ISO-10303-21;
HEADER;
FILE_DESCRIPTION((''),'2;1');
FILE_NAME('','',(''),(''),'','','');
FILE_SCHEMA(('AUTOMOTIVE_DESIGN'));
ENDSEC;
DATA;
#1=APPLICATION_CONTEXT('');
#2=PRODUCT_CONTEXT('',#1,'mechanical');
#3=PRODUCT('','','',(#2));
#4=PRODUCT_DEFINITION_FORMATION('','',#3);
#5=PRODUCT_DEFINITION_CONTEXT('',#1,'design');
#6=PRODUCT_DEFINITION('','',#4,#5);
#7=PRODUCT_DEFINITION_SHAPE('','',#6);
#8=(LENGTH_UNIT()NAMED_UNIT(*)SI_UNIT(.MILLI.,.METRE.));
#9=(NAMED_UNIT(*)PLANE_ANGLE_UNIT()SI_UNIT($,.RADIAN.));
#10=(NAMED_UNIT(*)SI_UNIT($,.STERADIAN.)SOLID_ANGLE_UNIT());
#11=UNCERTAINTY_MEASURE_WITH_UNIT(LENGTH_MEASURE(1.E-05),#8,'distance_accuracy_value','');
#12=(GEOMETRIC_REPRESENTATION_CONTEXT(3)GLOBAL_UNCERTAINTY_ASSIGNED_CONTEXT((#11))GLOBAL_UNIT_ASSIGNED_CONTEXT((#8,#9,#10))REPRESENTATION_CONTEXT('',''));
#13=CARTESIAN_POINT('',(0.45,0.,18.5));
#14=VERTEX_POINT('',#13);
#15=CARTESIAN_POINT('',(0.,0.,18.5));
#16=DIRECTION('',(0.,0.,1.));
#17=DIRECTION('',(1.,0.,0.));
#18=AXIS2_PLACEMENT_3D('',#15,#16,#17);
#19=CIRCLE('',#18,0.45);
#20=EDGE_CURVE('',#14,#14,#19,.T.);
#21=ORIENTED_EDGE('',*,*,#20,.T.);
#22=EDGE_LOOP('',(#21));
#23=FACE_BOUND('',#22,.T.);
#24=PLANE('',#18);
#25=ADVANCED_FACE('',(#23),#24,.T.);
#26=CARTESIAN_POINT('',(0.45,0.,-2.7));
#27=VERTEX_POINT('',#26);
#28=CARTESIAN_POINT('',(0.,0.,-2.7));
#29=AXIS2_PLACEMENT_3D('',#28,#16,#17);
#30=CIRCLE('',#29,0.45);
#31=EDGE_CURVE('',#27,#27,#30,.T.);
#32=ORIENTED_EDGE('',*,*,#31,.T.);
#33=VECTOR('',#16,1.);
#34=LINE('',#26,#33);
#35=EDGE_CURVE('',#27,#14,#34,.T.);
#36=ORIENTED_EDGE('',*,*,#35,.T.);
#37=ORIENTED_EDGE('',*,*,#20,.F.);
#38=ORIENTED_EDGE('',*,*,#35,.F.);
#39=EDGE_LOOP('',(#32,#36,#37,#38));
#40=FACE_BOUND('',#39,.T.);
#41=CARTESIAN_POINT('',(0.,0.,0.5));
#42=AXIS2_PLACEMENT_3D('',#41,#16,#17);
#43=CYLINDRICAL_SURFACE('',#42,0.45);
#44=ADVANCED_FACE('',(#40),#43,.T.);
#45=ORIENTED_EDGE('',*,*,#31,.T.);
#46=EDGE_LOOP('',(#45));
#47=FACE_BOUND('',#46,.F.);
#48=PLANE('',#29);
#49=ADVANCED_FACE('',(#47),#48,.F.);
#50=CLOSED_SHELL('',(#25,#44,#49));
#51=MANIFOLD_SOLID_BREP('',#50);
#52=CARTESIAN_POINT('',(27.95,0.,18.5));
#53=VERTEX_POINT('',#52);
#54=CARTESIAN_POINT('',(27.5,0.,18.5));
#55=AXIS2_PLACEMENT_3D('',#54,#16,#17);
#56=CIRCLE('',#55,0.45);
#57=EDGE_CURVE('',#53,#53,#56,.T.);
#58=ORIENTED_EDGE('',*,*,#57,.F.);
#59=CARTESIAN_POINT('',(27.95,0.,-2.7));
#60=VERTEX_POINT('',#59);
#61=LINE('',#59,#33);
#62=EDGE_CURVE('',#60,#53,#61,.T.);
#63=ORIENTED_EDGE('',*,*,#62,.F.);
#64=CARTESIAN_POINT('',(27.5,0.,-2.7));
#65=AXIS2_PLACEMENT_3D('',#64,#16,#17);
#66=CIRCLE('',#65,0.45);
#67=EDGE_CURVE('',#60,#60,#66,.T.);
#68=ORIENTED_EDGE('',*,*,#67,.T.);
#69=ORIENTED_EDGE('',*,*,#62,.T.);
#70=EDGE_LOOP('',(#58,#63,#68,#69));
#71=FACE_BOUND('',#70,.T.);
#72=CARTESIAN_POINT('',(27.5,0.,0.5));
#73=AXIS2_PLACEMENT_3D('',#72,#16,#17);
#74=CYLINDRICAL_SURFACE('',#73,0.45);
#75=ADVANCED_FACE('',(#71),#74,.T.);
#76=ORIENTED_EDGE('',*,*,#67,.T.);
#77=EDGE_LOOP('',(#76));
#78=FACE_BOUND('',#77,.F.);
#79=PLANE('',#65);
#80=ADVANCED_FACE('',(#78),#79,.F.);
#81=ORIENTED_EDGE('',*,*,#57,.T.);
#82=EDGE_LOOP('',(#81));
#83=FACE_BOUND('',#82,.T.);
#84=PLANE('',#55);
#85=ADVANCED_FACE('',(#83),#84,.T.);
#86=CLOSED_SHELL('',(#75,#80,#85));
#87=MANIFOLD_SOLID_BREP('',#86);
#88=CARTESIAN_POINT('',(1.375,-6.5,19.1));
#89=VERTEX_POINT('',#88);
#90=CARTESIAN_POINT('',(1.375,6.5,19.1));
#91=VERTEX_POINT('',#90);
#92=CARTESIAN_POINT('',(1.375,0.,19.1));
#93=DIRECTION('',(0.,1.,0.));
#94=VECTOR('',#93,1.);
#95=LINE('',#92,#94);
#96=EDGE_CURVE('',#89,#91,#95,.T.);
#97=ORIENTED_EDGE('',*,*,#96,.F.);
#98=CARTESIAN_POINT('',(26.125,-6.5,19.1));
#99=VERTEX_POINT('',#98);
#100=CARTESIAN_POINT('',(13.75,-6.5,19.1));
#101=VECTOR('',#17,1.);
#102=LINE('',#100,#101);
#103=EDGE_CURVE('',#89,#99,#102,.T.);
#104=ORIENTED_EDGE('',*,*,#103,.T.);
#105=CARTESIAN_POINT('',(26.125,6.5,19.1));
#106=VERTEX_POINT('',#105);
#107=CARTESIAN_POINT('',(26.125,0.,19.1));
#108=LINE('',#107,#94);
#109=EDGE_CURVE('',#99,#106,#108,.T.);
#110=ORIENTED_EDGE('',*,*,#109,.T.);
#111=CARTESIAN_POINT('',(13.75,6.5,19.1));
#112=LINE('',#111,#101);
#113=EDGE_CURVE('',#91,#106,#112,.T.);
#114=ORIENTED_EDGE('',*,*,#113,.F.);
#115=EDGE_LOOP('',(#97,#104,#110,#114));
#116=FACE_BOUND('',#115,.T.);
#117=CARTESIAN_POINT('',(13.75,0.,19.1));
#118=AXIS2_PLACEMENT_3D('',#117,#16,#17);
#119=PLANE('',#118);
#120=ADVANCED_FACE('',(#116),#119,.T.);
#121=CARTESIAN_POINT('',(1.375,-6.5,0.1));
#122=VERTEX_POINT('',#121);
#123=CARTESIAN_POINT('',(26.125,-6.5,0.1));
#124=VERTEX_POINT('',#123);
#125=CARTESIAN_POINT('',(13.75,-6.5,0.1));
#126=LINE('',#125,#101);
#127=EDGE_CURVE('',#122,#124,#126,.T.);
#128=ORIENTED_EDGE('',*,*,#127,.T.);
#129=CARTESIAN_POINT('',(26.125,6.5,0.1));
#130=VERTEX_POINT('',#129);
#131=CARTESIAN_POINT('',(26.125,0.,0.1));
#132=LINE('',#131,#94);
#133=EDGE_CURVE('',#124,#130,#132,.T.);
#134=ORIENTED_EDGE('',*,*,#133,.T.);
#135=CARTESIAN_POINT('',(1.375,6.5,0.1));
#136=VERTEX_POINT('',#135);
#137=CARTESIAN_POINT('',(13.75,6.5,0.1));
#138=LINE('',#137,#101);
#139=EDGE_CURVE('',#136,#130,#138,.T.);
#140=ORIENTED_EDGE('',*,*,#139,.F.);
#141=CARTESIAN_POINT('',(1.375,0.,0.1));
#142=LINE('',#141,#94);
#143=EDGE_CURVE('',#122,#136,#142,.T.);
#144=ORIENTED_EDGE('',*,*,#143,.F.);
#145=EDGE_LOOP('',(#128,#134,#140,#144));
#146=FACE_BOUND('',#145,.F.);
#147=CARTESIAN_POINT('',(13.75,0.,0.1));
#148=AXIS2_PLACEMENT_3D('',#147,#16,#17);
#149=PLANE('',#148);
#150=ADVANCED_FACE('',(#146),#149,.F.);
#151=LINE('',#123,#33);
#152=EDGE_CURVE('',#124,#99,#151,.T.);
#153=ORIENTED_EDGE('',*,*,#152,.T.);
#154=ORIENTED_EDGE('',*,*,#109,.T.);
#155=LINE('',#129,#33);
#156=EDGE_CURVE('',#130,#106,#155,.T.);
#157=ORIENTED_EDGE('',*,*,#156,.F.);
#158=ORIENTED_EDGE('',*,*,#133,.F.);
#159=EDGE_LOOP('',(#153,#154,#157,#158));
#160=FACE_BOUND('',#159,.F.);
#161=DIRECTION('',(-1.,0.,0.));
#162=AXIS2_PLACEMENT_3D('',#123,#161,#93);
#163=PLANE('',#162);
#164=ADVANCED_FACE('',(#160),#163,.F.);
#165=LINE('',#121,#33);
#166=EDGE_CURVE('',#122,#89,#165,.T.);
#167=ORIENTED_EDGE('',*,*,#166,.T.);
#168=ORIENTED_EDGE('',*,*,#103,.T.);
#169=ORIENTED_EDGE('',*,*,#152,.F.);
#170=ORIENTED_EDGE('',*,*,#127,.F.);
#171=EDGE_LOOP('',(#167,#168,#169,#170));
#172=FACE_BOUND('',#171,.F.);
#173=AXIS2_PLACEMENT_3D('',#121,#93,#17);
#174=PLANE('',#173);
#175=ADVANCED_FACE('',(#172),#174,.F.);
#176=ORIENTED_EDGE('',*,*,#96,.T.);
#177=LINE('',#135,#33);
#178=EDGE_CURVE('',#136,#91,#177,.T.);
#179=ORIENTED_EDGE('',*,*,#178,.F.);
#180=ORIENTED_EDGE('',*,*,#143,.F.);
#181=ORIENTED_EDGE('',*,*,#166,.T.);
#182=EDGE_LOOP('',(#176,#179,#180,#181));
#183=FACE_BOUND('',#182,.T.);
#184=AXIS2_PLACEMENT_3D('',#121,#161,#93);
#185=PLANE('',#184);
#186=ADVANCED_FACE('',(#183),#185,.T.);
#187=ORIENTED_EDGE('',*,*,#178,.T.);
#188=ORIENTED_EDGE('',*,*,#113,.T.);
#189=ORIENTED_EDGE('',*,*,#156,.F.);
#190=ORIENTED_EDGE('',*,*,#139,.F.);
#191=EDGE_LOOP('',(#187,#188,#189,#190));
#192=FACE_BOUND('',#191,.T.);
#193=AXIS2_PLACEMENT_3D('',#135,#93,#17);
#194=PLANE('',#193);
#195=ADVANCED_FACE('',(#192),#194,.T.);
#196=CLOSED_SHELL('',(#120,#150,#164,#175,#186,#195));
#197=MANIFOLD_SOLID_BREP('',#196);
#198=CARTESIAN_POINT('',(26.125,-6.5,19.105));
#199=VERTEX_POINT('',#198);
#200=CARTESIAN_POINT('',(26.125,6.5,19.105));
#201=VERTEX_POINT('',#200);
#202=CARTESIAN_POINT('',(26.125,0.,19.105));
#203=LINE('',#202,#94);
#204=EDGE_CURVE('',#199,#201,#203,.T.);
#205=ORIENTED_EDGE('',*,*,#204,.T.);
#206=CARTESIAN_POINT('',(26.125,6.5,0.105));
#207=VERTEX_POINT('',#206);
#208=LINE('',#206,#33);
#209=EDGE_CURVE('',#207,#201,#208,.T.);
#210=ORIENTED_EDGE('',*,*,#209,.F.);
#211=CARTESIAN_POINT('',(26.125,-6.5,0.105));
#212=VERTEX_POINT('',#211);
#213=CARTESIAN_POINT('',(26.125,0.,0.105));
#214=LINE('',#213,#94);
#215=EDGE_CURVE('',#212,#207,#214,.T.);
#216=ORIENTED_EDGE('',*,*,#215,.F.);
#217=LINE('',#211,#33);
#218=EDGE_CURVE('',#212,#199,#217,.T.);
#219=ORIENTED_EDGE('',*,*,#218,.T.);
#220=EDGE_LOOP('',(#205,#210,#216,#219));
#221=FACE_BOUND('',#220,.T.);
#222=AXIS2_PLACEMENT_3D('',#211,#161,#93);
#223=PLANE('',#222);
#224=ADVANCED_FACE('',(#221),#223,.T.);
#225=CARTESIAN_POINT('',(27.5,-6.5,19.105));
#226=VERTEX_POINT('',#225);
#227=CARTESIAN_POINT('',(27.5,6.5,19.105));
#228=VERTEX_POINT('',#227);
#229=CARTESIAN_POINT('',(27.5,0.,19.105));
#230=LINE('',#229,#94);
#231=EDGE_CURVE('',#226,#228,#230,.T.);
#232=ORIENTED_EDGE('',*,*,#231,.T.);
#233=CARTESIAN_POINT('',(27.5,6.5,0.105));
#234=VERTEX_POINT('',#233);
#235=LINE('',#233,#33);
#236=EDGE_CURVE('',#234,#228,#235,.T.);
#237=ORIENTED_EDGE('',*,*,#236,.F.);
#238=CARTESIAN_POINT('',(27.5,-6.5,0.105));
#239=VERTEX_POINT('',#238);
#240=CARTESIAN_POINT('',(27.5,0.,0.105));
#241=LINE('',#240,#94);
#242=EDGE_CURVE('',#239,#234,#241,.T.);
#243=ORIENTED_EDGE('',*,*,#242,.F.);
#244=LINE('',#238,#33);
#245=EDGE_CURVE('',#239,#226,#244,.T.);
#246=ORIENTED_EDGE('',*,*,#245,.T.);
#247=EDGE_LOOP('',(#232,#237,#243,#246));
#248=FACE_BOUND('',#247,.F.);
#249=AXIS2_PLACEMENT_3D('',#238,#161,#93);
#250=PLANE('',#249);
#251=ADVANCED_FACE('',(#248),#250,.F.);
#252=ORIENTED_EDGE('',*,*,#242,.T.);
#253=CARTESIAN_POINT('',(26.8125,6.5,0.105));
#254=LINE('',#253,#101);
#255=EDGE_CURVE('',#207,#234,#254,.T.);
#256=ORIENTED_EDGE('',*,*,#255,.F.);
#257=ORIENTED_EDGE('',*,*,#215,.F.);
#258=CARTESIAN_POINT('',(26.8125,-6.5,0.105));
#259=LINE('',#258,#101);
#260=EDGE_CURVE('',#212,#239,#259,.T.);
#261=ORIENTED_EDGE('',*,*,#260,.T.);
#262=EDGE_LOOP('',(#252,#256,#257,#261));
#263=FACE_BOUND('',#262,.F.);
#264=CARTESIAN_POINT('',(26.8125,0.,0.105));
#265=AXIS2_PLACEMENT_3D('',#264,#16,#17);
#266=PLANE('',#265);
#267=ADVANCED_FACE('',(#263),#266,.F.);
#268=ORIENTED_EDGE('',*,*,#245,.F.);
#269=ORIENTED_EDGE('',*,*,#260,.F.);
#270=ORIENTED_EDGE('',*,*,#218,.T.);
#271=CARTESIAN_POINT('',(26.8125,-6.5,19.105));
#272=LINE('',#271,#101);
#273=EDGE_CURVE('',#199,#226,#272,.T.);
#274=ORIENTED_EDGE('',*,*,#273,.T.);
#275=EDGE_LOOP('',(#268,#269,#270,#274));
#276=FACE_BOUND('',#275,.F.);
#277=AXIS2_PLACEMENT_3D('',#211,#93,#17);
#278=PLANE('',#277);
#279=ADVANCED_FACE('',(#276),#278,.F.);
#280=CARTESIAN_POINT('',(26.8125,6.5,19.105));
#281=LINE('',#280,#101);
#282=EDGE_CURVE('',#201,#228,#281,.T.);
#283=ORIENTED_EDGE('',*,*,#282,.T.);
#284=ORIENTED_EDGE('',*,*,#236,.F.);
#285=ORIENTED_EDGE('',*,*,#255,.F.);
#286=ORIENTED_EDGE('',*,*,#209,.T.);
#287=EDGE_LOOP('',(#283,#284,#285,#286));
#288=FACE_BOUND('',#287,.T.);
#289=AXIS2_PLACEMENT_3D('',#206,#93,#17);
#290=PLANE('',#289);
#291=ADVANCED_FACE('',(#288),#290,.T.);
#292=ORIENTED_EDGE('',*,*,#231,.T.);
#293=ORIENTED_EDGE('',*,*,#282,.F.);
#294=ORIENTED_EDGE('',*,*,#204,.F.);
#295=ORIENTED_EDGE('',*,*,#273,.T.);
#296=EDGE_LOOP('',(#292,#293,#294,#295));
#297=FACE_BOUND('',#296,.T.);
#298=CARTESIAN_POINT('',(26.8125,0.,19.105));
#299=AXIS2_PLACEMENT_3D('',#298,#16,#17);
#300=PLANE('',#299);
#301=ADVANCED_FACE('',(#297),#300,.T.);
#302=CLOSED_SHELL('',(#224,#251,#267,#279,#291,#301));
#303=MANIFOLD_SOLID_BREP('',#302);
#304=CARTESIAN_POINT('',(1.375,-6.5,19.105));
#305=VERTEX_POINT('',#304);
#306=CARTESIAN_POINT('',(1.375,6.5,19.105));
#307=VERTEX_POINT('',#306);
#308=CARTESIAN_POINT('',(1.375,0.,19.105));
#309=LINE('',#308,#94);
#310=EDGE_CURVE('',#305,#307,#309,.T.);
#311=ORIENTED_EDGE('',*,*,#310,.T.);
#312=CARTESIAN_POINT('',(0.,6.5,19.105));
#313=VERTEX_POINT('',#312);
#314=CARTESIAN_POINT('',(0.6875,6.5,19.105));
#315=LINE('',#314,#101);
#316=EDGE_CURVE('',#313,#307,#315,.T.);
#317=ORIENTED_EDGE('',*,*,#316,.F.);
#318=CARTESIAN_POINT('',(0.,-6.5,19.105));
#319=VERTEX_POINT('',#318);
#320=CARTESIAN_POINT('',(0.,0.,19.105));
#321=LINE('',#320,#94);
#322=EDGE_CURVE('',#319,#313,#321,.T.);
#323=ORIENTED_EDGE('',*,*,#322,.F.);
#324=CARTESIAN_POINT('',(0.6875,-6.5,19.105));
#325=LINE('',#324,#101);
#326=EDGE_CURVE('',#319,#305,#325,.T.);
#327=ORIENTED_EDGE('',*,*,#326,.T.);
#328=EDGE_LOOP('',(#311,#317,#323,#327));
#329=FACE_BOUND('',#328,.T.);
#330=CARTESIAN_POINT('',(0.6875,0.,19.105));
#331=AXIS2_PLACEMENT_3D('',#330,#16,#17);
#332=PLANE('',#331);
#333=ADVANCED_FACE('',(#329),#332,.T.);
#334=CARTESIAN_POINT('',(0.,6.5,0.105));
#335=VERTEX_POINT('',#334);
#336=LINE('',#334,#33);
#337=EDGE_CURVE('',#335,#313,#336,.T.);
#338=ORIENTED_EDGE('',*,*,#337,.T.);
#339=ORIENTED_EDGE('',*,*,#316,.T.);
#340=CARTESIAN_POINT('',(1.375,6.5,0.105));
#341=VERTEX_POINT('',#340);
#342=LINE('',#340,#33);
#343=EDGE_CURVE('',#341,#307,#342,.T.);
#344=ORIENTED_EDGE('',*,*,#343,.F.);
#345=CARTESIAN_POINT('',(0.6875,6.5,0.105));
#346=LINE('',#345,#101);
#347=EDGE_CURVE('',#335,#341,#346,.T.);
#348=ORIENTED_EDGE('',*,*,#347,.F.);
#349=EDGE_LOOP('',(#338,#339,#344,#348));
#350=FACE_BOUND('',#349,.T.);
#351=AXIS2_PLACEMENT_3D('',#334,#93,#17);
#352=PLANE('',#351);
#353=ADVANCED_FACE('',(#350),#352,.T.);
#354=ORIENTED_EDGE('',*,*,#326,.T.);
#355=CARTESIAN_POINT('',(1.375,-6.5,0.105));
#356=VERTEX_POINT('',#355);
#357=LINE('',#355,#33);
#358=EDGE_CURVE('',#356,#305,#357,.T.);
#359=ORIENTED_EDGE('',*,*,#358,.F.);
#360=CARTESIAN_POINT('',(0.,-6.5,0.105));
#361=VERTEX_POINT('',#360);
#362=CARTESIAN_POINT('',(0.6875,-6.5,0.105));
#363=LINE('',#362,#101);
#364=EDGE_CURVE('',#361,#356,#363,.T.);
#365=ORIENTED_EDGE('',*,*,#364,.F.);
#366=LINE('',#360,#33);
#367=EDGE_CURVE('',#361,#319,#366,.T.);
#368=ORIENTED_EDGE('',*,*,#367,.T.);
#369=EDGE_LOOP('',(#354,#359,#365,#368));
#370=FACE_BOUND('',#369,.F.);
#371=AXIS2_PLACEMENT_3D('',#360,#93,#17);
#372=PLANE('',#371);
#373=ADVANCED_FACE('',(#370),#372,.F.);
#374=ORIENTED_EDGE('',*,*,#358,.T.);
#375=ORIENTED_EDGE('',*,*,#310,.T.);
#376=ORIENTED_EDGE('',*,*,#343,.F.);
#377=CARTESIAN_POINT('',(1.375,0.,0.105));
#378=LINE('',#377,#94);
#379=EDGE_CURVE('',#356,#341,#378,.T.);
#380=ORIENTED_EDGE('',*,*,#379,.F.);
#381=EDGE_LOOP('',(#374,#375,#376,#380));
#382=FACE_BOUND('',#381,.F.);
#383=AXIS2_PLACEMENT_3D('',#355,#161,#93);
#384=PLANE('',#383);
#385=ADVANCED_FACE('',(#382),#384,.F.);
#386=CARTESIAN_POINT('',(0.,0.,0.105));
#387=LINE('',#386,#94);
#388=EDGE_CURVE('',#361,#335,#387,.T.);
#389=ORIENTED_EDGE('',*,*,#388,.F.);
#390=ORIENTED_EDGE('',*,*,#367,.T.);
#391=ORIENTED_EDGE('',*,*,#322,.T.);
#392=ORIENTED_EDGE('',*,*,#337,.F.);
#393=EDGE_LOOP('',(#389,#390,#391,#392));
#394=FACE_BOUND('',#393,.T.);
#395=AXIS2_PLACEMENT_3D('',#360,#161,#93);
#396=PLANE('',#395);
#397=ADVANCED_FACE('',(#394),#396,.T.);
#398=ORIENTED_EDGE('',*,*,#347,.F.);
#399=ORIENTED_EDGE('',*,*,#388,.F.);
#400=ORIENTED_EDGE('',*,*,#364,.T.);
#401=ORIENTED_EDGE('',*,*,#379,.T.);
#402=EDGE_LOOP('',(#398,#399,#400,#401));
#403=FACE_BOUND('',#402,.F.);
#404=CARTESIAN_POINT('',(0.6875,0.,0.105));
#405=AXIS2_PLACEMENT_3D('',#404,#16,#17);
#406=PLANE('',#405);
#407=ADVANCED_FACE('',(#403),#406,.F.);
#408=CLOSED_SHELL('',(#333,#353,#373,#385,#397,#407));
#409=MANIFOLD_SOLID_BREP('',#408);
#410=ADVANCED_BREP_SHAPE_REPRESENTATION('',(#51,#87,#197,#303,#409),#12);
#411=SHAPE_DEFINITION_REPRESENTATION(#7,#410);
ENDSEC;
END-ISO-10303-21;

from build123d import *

# Parameters (mm, degrees)
SKETCH_W          = 24.75
SKETCH_H          = 13
PAD_DEPTH         = 19
SKETCH001_R       = 0.45
PAD001_DEPTH      = 18
PAD001_DEPTH_BACK = 3.2
SKETCH002_W       = 1.375
SKETCH002_H       = 13
PAD002_DEPTH      = 19


with BuildPart() as pad:
    # Sketch → Pad (new body)
    with BuildSketch(Plane.XY.offset(0.1)):
        with Locations((13.75, 0)):
            Rectangle(SKETCH_W, SKETCH_H)
    extrude(amount=PAD_DEPTH)


with BuildPart() as pad001:
    # Sketch001 → Pad001 (new body, two sides)
    with BuildSketch(Plane.XY.offset(0.5)) as pad001_sk:
        Circle(SKETCH001_R)
        with Locations((27.5, 0)):
            Circle(SKETCH001_R)
    extrude(amount=PAD001_DEPTH)
    extrude(pad001_sk.sketch, amount=-PAD001_DEPTH_BACK)


with BuildPart() as pad002:
    # Sketch002 → Pad002 (new body)
    with BuildSketch(Plane.XY.offset(0.105)):
        with Locations((0.6875, 0)):
            Rectangle(SKETCH002_W, SKETCH002_H)
        with Locations((26.8125, 0)):
            Rectangle(SKETCH002_W, SKETCH002_H)
    extrude(amount=PAD002_DEPTH)


solid = Compound([pad.part, pad001.part, pad002.part])
